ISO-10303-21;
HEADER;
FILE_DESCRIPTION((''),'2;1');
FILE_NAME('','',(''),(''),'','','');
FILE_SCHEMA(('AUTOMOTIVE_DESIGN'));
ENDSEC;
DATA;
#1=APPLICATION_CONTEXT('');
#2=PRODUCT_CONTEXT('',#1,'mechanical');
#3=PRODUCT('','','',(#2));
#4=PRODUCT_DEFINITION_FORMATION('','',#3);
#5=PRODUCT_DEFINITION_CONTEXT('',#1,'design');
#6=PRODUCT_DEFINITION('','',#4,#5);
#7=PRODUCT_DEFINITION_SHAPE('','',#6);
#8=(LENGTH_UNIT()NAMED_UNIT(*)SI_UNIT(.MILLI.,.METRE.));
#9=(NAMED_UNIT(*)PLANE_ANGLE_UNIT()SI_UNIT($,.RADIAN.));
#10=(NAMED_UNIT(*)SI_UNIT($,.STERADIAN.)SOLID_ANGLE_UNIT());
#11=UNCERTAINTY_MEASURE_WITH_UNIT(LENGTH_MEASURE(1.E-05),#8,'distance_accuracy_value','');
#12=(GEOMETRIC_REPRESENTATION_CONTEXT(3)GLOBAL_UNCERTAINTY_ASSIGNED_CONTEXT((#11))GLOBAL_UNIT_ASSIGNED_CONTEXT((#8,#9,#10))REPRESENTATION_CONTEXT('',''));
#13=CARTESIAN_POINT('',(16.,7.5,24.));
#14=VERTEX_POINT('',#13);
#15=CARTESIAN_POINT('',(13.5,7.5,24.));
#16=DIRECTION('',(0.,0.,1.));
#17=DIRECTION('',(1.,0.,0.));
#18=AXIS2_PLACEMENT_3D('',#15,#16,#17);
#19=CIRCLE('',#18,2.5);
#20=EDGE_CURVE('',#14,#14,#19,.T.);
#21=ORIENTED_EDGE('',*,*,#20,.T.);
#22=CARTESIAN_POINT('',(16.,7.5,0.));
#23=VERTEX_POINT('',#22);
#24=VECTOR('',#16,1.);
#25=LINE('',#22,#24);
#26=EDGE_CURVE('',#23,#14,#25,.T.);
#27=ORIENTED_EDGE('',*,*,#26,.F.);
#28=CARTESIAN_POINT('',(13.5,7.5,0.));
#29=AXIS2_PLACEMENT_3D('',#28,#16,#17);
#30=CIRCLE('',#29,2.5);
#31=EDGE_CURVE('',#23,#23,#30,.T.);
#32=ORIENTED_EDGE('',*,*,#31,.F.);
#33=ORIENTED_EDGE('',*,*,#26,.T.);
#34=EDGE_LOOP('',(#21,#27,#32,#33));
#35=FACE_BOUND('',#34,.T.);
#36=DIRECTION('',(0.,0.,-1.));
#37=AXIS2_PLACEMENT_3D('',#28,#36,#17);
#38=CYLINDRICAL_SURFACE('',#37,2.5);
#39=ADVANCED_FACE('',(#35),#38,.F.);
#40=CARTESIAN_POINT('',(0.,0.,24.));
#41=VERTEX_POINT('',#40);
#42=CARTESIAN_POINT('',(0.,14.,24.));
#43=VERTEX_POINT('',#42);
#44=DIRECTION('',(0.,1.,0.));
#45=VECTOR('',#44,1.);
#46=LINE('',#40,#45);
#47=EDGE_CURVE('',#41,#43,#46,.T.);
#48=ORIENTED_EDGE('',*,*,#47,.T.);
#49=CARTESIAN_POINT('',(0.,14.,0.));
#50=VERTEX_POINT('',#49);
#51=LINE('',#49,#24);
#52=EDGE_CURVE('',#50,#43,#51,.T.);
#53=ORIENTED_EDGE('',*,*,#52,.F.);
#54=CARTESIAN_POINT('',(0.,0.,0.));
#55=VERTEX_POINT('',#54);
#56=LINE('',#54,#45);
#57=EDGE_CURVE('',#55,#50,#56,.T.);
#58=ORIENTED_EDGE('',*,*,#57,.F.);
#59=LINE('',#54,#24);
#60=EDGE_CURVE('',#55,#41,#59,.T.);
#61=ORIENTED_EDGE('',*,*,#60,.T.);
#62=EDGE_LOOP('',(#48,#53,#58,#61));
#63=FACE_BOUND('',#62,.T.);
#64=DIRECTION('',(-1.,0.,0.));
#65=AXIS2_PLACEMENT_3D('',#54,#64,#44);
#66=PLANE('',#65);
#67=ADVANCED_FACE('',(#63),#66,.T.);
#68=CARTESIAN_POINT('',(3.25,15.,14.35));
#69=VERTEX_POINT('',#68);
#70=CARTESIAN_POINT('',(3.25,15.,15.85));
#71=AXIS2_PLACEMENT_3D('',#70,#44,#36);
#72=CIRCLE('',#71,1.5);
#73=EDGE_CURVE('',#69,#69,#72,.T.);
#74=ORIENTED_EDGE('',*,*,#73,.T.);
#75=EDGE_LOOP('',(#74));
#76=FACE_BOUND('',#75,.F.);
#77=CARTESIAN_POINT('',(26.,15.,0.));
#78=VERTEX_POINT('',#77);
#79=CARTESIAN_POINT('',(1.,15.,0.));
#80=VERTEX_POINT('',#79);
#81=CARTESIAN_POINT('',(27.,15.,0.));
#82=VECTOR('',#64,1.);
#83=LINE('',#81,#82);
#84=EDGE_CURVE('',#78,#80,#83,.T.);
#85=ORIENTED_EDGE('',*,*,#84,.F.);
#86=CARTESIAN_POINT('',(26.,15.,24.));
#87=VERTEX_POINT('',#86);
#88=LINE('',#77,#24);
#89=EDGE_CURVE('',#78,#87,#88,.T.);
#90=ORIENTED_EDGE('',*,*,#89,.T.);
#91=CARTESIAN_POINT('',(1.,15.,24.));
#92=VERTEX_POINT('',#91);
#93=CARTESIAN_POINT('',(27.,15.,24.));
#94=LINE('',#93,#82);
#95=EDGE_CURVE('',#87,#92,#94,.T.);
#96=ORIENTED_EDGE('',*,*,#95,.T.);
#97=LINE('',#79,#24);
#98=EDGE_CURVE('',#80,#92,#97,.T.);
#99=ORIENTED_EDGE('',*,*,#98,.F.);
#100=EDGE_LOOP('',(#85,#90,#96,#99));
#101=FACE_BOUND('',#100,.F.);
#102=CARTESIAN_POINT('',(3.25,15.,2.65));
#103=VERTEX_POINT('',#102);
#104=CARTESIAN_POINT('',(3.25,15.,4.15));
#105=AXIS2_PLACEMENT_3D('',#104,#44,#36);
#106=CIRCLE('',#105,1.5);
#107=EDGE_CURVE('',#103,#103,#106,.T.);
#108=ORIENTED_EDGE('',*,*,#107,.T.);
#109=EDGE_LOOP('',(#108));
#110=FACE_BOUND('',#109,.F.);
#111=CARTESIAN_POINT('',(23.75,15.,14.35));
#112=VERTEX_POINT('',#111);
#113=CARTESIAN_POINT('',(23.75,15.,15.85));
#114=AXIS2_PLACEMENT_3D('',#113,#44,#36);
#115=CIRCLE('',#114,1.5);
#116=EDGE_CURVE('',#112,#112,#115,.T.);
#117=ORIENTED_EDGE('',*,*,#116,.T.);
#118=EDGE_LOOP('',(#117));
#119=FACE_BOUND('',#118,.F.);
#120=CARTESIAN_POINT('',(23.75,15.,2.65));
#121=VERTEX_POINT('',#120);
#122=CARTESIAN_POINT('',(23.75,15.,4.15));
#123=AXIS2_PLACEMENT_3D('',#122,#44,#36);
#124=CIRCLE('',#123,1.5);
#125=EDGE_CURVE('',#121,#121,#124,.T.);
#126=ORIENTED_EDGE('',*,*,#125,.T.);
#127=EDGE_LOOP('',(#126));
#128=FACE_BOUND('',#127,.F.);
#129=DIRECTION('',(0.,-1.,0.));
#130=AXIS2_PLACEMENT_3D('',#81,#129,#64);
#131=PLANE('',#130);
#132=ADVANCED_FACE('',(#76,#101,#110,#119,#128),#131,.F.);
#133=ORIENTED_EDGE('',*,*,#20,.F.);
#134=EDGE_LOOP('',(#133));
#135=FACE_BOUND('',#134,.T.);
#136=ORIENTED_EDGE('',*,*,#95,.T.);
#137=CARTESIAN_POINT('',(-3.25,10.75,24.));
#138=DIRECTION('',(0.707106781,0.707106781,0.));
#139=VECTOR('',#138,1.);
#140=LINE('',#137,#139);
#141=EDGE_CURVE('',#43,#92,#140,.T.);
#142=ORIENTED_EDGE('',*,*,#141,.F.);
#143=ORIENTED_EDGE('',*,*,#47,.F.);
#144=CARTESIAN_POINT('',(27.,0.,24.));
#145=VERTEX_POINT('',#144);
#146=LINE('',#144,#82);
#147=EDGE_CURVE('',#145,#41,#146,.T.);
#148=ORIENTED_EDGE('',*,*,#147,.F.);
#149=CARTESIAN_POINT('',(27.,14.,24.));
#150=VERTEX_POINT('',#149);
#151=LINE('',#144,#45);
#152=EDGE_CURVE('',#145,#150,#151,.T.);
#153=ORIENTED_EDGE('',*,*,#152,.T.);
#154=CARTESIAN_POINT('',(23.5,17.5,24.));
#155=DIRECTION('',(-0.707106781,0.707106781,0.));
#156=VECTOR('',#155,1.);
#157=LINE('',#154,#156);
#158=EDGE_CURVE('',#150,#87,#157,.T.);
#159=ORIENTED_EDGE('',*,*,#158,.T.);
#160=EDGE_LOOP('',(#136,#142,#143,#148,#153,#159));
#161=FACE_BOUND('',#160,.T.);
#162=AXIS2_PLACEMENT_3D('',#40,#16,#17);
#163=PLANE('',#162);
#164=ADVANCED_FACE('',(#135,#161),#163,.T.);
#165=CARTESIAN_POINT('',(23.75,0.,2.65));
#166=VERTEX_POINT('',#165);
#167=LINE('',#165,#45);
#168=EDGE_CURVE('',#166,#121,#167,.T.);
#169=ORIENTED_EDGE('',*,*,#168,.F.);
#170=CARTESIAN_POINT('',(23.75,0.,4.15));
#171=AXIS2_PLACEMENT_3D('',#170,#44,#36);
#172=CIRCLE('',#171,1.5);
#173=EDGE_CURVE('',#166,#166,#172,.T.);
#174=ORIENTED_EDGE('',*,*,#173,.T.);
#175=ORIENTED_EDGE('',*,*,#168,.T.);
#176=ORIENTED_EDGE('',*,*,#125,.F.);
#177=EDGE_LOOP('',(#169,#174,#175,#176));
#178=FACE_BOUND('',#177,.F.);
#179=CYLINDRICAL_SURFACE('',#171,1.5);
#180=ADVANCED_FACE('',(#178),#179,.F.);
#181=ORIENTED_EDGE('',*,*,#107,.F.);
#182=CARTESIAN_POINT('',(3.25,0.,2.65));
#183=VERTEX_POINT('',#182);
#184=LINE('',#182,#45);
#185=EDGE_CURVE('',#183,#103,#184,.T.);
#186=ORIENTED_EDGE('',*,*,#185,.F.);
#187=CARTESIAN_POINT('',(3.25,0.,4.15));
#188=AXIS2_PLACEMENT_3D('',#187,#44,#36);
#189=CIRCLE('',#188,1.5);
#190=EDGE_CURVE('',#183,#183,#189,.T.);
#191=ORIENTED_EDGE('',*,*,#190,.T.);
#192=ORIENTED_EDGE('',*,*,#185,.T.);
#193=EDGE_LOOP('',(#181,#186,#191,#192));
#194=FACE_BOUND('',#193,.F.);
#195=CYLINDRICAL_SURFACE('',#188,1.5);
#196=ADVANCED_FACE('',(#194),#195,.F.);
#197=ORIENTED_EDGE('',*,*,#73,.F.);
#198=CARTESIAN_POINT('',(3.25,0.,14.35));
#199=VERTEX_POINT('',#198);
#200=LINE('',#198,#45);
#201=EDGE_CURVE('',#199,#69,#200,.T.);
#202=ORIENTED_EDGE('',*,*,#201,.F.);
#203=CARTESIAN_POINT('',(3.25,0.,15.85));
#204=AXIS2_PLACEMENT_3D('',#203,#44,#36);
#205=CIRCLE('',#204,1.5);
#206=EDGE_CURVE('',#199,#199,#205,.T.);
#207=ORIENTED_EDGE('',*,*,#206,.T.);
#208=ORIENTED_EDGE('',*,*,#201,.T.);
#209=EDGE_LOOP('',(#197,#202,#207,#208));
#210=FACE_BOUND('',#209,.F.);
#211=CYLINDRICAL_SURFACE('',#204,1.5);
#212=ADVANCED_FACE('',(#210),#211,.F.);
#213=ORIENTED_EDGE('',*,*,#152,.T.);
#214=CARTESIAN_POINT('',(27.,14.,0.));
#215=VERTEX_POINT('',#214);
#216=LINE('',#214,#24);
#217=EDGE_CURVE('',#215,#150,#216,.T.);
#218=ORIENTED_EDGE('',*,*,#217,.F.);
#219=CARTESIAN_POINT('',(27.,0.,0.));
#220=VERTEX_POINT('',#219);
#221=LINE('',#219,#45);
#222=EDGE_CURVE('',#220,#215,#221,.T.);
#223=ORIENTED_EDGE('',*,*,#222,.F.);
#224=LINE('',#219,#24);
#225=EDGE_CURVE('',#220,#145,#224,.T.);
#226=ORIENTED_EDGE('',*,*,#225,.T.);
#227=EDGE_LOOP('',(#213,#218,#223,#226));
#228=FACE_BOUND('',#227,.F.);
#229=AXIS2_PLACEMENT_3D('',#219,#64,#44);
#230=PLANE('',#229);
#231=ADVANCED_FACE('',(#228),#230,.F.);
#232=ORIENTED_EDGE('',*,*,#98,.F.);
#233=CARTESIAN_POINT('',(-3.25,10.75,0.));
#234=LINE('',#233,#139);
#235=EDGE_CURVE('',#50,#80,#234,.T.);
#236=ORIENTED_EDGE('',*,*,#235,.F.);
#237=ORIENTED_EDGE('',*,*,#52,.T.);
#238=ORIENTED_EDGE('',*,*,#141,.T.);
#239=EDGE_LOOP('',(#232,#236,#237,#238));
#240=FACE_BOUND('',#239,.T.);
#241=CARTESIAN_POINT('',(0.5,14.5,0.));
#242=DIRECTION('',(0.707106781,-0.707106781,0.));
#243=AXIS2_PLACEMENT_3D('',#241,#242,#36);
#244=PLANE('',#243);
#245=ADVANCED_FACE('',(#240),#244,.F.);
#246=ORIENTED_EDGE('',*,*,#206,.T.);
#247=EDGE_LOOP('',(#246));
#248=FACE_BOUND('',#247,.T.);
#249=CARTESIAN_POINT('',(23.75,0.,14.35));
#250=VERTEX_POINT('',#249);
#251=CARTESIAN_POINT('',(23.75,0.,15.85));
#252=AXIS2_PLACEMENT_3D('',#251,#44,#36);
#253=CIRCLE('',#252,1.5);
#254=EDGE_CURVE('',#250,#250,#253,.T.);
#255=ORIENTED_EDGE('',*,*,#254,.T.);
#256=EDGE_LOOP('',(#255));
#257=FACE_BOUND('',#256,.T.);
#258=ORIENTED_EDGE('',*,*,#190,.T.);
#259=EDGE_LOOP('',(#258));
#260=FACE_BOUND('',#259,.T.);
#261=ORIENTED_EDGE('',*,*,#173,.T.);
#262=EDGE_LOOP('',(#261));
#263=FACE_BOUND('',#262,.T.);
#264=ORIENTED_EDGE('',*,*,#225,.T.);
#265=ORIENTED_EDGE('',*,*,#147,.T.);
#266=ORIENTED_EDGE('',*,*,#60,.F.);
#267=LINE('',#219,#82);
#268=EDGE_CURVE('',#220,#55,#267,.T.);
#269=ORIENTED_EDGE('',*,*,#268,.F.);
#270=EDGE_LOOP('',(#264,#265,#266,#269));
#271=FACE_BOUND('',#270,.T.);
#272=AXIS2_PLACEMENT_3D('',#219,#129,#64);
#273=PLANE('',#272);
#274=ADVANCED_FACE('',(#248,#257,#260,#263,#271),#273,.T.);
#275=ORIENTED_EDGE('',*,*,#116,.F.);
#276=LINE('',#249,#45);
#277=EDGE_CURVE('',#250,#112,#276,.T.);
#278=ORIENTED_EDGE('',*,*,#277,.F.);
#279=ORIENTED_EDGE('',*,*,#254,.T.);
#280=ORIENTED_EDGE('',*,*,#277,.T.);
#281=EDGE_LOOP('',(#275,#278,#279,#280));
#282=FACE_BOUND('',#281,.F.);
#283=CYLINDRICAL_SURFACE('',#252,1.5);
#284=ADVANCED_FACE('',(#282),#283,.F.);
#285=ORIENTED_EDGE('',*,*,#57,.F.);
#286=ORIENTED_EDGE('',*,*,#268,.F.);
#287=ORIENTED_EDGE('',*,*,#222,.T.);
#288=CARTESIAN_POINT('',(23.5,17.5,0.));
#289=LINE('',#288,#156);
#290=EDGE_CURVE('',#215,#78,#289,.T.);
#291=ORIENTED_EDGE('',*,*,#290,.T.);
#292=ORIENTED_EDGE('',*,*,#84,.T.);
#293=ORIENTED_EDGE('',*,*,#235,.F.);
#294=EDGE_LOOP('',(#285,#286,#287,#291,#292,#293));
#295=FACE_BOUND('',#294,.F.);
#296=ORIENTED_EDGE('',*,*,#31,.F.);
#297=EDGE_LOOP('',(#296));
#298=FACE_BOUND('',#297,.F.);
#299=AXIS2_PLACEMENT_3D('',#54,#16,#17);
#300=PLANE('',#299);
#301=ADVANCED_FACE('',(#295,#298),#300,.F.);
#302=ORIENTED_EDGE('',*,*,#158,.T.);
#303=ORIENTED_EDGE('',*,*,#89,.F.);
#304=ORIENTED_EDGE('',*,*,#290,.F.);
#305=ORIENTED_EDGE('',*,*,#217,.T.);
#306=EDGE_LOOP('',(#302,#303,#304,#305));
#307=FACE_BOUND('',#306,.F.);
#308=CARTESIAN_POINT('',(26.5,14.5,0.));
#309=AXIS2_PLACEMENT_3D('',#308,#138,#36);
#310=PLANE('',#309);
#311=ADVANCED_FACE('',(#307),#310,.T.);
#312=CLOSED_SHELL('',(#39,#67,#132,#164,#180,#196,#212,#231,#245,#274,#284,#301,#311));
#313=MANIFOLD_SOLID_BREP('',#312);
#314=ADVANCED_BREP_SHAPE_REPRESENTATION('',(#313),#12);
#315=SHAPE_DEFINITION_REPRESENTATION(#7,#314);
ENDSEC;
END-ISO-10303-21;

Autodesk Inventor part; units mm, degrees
ref_plane "YZ Plane" through (0, 0, 0) normal (1, 0, 0) x (0, 1, 0)
ref_plane "XZ Plane" through (0, 0, 0) normal (0, 1, 0) x (-1, 0, 0)
ref_plane "XY Plane" through (0, 0, 0) normal (0, 0, 1) x (1, 0, 0)
sketch "Szkic1" plane through (0, 0, 0) normal (0, 0, 1) x (1, 0, 0)
  line L0 (27, 15) -> (0, 15)
  line L1 (0, 0) -> (0, 15)
  line L2 (27, 0) -> (0, 0)
  line L3 (27, 0) -> (27, 15)
  circle A0 centre (13.5, 7.5) radius 2.5
  point P0 (27, 22.2042)
  dimension "d0" = 27
  dimension "d1" = 15
  dimension "d2" = 7.5
  dimension "d3" = 13.5
extrude "Wyciągnięcie proste1" add sketch "Szkic1" along normal blind 24
chamfer "Faza1" distance 1 angle 45 2 edges at (27, 15, 12) (0, 15, 12)
sketch "Szkic4" plane through (0, 0, 0) normal (0, -1, 0) x (1, 0, 0)
  line L0 (0, 0) -> (27, 0) projected
  line L1 (27, 0) -> (27, 24) projected
  line L2 (0, 24) -> (27, 24) projected
  line L3 (0, 0) -> (0, 24) projected
  point P0 (3.25, 4.15)
  point P1 (3.25, 15.85)
  point P2 (23.75, 4.15)
  point P3 (23.75, 15.85)
  dimension "d9" = 20.5
  dimension "d10" = 11.7
  dimension "d11" = 4.15
  dimension "d12" = 27
  dimension "d13" = 3.25
hole "Otwór1" at (3.25, 0, 4.15) at (3.25, 0, 15.85) at (23.75, 0, 4.15) at (23.75, 0, 15.85) direction (0, 1, 0) diameter 3 end through all
equation "\"d13\" = -0.5 * d9 + 0.5 * d12"
properties part number "3DP_ABS_Y_Axis_Tenioning_System_C_Sec_Filler"
